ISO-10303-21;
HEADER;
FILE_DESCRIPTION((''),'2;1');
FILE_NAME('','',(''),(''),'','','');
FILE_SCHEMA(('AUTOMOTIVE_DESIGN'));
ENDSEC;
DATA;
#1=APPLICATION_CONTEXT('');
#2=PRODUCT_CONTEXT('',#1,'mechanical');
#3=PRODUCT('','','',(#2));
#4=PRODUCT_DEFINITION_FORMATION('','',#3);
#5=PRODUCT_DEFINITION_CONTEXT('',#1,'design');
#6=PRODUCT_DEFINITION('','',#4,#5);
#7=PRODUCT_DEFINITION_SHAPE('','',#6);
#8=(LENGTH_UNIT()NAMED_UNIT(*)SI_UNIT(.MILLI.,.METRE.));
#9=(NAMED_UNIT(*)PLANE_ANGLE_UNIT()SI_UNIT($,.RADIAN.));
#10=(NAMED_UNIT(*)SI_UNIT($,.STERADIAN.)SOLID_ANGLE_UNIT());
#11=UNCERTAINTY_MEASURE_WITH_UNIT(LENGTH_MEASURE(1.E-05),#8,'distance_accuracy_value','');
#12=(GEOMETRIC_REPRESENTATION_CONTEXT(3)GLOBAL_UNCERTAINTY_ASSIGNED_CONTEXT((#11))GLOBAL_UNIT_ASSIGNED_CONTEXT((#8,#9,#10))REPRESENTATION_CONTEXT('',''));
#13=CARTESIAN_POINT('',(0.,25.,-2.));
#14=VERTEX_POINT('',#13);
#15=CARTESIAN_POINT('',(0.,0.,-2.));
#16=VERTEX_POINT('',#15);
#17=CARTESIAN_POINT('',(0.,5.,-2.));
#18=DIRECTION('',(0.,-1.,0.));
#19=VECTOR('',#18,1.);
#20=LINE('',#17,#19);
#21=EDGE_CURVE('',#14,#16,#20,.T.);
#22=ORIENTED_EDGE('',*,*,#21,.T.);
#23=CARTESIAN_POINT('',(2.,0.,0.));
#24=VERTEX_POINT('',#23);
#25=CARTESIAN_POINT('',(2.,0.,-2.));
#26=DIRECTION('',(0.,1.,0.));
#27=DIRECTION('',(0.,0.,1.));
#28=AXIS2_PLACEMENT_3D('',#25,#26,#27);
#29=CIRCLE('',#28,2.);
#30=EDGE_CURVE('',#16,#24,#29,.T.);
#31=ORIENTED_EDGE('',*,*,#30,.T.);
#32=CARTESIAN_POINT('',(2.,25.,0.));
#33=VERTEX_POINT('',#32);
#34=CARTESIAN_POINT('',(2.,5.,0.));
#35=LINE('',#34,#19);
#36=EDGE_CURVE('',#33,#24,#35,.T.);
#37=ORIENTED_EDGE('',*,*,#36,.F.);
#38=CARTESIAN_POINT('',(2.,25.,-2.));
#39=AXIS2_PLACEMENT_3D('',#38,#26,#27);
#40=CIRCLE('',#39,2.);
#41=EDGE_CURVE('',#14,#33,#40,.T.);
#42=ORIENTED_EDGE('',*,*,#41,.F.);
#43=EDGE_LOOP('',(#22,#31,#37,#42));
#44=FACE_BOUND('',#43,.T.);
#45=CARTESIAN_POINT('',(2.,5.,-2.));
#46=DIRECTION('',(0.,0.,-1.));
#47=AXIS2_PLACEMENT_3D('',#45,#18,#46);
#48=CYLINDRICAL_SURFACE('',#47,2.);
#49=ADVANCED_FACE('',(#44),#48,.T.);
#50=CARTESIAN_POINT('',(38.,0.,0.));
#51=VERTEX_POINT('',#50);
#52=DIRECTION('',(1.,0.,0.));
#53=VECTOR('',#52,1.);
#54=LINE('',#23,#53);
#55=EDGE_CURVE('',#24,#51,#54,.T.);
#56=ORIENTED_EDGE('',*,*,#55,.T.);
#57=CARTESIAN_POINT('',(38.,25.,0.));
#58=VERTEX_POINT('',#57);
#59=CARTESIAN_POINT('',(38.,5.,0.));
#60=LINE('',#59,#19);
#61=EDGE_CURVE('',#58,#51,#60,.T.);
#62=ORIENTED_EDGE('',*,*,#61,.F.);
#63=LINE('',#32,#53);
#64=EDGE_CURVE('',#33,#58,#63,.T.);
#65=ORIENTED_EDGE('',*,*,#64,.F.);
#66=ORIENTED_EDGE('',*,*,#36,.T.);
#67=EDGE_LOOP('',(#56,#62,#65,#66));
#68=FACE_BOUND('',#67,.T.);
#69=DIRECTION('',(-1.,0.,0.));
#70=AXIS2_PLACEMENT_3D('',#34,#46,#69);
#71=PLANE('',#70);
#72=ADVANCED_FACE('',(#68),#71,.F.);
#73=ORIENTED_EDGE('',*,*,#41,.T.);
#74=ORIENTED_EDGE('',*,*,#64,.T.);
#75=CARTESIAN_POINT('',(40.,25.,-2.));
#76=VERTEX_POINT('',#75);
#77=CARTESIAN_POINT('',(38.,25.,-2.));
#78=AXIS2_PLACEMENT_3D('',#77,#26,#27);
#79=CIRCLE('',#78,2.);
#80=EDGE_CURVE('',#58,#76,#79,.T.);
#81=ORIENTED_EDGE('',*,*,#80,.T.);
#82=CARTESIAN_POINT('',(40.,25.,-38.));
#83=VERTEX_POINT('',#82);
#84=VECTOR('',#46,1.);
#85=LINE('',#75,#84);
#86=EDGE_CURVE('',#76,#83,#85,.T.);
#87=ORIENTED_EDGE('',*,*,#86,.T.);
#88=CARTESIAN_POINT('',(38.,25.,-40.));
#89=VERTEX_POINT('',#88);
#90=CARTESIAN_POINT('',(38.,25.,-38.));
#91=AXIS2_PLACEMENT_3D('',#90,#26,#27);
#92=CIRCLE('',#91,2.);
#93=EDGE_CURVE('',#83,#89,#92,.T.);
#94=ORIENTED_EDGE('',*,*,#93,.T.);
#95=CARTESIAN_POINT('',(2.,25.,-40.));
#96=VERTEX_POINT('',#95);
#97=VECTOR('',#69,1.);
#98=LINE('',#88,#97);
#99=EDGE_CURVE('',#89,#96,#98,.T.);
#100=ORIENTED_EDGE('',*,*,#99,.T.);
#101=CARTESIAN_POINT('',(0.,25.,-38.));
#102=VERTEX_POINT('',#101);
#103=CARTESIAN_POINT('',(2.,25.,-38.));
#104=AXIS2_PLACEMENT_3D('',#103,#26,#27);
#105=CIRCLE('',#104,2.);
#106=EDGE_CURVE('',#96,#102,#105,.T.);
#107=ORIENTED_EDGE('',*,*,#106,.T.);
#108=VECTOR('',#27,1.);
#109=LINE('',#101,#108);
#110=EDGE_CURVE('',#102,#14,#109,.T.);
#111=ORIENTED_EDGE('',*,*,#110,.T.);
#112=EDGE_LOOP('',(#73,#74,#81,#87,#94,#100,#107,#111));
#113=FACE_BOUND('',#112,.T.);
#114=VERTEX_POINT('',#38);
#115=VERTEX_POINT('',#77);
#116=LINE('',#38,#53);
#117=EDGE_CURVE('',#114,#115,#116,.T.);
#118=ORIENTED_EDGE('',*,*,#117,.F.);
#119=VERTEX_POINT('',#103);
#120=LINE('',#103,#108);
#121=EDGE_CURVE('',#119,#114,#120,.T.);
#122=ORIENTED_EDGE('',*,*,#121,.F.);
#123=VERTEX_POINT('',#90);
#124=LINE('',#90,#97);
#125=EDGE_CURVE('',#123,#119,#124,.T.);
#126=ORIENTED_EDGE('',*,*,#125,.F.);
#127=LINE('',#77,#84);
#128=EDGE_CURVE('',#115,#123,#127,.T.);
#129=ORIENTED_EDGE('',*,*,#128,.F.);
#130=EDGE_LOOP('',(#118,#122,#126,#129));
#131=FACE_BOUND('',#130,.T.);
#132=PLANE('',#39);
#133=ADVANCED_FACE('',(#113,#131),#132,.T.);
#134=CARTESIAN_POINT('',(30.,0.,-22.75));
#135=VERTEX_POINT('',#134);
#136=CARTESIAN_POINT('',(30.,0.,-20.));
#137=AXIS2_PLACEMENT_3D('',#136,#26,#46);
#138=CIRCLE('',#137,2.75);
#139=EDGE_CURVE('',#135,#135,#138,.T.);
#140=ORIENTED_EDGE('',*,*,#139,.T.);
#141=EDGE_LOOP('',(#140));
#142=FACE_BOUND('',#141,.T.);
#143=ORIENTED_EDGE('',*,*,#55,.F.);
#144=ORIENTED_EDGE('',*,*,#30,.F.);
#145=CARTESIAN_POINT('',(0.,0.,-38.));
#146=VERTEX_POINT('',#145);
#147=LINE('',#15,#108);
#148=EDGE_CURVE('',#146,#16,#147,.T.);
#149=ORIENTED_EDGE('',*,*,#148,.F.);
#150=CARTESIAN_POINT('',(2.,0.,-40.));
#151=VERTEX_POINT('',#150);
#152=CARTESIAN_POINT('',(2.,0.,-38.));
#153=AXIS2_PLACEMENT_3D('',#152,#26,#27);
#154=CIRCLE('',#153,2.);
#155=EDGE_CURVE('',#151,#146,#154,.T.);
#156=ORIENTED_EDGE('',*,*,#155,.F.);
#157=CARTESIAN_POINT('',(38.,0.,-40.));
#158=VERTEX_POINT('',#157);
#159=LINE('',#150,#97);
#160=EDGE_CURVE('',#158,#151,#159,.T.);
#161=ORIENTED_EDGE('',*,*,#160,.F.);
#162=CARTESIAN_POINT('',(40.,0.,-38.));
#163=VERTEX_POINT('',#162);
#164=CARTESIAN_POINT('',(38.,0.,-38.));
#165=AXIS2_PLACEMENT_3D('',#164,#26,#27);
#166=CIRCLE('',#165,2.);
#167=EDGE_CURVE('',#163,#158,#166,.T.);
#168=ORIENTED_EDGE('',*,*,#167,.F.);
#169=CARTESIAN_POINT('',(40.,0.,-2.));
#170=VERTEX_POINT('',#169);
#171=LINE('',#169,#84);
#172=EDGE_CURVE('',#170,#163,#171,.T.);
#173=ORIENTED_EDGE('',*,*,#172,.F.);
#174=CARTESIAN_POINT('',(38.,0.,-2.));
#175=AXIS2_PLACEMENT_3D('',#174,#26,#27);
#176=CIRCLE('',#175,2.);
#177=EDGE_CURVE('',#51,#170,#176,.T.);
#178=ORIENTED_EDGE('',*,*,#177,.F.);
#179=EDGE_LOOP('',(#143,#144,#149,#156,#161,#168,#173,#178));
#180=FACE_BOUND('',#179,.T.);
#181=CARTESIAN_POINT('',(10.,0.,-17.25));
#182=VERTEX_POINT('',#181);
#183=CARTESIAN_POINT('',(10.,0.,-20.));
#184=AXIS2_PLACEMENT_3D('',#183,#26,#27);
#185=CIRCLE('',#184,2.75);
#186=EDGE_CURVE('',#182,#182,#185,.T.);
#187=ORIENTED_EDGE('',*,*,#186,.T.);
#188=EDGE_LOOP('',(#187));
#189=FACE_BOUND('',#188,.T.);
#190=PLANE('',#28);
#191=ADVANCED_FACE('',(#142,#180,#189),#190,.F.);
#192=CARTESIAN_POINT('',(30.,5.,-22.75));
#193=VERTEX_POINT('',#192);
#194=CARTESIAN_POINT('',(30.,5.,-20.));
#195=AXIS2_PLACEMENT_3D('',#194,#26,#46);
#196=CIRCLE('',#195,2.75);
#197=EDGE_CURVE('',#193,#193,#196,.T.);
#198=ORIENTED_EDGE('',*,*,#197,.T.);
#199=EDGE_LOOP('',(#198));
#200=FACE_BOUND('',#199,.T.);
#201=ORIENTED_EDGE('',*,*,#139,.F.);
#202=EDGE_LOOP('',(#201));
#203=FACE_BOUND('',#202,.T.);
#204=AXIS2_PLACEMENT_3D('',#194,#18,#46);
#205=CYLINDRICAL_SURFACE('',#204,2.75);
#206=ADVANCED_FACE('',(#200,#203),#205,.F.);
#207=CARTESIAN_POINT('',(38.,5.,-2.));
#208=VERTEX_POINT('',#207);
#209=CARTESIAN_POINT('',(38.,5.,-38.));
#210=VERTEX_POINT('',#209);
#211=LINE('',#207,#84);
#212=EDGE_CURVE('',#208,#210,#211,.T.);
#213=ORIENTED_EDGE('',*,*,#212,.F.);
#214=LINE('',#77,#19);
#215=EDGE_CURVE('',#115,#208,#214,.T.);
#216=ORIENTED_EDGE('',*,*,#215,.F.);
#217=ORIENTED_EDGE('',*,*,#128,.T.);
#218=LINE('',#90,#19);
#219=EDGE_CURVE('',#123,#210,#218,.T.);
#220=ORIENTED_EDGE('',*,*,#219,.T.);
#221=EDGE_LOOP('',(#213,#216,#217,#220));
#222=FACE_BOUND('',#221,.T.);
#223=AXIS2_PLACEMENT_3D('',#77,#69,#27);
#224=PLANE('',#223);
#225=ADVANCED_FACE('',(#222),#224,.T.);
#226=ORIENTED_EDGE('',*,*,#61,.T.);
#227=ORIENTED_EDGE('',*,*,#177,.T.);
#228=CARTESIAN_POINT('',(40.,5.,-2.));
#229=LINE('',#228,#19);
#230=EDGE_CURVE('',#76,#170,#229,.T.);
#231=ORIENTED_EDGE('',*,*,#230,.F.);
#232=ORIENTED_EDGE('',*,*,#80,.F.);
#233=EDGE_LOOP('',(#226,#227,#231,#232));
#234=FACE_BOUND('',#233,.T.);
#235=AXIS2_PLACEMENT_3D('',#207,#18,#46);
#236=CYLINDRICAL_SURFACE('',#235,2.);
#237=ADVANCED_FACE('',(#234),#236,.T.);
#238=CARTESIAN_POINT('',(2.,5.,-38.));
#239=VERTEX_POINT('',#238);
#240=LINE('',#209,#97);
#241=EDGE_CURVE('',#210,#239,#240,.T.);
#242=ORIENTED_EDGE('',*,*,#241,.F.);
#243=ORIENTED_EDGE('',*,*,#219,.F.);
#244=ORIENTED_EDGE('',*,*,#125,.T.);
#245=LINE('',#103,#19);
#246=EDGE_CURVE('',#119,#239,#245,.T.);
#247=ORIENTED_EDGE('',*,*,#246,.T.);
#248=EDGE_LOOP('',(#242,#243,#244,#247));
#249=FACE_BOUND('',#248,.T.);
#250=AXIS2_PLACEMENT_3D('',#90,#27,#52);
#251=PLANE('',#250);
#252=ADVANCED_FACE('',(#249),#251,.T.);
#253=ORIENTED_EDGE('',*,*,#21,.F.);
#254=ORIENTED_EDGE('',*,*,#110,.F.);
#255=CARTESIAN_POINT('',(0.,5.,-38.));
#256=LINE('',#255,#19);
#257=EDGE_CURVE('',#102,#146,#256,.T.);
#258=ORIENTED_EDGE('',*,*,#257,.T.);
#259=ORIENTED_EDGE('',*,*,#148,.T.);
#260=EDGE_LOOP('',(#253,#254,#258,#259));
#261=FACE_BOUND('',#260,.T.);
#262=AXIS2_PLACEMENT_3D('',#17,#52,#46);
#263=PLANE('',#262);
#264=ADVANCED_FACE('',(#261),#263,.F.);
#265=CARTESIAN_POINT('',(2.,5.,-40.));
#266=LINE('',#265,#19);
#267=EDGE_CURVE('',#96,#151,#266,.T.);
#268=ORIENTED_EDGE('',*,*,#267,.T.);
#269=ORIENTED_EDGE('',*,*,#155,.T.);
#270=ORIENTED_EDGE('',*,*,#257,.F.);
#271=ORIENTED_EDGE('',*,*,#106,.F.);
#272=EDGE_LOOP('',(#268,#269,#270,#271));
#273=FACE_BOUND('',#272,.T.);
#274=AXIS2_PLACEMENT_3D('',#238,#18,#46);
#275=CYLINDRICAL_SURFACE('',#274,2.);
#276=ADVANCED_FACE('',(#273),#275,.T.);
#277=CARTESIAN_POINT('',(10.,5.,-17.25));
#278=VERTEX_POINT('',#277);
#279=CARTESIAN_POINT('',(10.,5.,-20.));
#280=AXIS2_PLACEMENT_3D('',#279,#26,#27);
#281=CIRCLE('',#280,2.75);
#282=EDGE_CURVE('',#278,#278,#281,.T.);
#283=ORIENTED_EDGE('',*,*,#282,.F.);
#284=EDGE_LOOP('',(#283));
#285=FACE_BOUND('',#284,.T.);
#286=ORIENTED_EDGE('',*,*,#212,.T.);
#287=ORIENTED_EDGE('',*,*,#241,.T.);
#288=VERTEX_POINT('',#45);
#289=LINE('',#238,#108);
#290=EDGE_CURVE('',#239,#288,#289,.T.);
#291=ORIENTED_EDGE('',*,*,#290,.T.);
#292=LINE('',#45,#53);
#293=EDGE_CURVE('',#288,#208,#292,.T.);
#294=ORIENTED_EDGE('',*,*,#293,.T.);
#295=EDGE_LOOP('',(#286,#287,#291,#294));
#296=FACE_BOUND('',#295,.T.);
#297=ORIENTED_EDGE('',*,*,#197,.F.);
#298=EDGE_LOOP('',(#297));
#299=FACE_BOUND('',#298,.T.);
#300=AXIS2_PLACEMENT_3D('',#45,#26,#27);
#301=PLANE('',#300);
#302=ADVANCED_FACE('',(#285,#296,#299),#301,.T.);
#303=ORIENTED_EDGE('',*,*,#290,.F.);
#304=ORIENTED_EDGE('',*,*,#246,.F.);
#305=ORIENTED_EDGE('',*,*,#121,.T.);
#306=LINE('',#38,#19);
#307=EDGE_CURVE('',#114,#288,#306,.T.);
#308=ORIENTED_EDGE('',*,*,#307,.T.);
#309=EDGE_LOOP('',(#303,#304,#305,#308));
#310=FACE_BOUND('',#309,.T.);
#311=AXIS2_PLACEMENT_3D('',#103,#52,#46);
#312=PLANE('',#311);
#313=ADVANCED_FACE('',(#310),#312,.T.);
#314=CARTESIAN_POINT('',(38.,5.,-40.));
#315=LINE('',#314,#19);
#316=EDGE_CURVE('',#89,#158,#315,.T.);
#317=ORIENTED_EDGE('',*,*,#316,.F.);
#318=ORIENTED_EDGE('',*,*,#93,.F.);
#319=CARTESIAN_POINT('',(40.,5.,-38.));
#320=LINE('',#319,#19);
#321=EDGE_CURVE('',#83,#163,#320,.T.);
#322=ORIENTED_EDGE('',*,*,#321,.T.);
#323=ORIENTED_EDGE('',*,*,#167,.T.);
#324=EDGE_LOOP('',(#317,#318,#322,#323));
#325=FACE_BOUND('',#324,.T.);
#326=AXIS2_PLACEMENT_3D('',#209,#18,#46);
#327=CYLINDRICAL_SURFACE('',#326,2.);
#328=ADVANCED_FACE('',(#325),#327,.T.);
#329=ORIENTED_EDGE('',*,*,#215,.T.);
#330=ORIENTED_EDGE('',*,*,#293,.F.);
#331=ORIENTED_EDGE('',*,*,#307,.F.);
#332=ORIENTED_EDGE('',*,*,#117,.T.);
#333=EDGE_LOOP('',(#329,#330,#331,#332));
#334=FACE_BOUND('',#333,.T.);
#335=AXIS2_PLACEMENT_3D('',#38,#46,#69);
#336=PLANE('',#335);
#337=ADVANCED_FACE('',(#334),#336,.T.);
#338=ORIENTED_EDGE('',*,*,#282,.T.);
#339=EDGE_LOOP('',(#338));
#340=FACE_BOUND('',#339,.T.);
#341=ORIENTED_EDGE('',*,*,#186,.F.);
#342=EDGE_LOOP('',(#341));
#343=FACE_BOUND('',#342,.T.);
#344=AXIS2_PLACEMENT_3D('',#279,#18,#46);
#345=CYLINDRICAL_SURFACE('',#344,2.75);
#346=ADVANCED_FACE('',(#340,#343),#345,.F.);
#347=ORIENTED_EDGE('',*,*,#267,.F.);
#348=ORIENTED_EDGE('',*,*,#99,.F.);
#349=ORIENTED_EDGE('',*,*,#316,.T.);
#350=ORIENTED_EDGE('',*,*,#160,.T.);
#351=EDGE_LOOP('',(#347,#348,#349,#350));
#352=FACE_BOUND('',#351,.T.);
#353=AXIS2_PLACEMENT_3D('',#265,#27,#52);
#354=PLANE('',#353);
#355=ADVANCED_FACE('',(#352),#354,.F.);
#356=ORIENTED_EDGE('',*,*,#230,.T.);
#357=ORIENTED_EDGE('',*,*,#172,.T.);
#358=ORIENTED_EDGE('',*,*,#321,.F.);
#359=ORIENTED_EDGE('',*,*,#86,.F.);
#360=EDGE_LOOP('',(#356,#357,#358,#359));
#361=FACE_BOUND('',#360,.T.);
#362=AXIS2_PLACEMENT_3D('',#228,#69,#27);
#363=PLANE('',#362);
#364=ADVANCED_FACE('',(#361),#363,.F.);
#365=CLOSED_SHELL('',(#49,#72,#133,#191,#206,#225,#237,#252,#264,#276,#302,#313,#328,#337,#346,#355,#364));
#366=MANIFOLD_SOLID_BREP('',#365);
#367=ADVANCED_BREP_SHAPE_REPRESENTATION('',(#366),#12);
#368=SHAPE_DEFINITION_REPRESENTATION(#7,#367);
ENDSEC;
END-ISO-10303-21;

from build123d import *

# Parameters (mm, degrees)
SKETCH1_R           = 2.75
BASE_DEPTH          = 5
SKETCH3_W           = 36
SKETCH3_H           = 36
BOSS_EXTRUDE2_DEPTH = 20


with BuildPart() as part:
    # Sketch1 → base (new body)
    with BuildSketch(Plane(origin=(0, 0, 0), x_dir=(1, 0, 0), z_dir=(0, 1, 0))):
        with BuildLine():
            Line((2, 0), (38, 0))
            ThreePointArc((38, 0), (39.414213562, 0.585786438), (40, 2))
            Line((40, 2), (40, 38))
            ThreePointArc((40, 38), (39.414213562, 39.414213562), (38, 40))
            Line((38, 40), (2, 40))
            ThreePointArc((2, 40), (0.585786438, 39.414213562), (0, 38))
            Line((0, 38), (0, 2))
            ThreePointArc((0, 2), (0.585786438, 0.585786438), (2, 0))
        make_face()
        with Locations((10, 20)):
            Circle(SKETCH1_R, mode=Mode.SUBTRACT)
        with Locations((30, 20)):
            Circle(SKETCH1_R, mode=Mode.SUBTRACT)
    extrude(amount=BASE_DEPTH)

    # Sketch3 → Boss-Extrude2 (add)
    with BuildSketch(Plane(origin=(0, 5, 0), x_dir=(1, 0, 0), z_dir=(0, 1, 0))):
        with BuildLine():
            Line((0, 38), (0, 2))
            ThreePointArc((0, 2), (0.585786438, 0.585786438), (2, 0))
            Line((2, 0), (38, 0))
            ThreePointArc((38, 0), (39.414213562, 0.585786438), (40, 2))
            Line((40, 2), (40, 38))
            ThreePointArc((40, 38), (39.414213562, 39.414213562), (38, 40))
            Line((38, 40), (2, 40))
            ThreePointArc((2, 40), (0.585786438, 39.414213562), (0, 38))
        make_face()
        with Locations((20, 20)):
            Rectangle(SKETCH3_W, SKETCH3_H, mode=Mode.SUBTRACT)
    extrude(amount=BOSS_EXTRUDE2_DEPTH)


solid = part.part
